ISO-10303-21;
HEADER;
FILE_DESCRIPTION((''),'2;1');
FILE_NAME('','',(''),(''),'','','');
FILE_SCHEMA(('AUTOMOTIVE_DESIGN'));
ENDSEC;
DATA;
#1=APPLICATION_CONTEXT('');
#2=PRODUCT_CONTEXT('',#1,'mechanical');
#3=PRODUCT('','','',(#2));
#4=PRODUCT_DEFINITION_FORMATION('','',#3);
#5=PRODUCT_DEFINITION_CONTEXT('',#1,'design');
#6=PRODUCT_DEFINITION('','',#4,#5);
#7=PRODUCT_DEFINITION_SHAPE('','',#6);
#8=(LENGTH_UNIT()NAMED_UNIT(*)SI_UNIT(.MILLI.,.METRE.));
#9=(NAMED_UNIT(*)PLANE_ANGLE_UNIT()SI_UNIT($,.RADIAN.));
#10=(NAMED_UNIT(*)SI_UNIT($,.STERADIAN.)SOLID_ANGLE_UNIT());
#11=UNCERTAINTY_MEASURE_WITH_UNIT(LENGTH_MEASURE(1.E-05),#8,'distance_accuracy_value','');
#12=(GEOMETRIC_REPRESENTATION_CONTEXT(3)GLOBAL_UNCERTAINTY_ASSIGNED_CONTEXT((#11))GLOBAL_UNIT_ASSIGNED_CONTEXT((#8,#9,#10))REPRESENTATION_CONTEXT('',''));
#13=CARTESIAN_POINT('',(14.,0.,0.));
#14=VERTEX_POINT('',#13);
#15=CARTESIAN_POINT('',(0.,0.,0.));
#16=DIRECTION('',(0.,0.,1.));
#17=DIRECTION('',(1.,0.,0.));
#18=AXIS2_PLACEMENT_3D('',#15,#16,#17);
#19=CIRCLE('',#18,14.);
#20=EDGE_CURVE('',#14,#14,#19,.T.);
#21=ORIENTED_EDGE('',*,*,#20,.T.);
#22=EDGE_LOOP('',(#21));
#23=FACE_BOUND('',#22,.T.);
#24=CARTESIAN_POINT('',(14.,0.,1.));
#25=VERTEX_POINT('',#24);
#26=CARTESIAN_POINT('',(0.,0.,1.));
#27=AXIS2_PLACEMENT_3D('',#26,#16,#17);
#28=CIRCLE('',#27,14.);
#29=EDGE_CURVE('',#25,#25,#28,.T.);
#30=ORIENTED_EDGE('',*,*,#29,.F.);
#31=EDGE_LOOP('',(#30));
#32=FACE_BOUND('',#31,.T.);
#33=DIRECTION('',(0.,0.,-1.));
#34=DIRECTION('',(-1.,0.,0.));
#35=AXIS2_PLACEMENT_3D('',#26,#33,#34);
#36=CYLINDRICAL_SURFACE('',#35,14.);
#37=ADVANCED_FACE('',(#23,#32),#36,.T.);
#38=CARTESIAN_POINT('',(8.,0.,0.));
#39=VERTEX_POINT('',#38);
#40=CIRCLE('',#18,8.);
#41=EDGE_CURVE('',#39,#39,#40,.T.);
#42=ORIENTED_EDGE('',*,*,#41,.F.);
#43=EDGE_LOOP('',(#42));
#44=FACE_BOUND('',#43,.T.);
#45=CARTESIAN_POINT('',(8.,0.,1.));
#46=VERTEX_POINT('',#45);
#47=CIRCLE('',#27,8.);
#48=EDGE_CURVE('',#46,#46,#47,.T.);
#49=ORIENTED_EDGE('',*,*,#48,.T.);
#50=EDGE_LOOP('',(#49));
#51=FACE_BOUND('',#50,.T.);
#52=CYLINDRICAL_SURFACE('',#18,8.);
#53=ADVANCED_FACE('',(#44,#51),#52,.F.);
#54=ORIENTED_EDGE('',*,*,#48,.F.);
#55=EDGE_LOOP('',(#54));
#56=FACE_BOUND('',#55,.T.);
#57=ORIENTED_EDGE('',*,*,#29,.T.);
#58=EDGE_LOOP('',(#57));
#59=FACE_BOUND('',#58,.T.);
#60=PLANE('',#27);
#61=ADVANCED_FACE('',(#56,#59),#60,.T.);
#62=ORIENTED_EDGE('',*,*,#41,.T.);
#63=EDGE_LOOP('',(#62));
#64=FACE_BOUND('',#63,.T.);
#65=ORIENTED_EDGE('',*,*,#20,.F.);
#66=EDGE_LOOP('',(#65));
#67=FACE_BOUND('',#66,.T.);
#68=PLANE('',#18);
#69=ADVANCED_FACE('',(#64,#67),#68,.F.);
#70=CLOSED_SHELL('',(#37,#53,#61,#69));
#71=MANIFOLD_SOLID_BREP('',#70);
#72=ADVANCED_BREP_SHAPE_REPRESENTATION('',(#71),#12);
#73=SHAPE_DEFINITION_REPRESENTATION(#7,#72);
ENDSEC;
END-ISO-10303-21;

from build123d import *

# Parameters (mm, degrees)
SKETCH1_R           = 14
BOSS_EXTRUDE1_DEPTH = 1
SKETCH2_R           = 8
CUT_EXTRUDE1_DEPTH  = 1


with BuildPart() as part:
    # Sketch1 → Boss-Extrude1 (new body)
    with BuildSketch(Plane.XY):
        Circle(SKETCH1_R)
    extrude(amount=BOSS_EXTRUDE1_DEPTH)

    # Sketch2 → Cut-Extrude1 (cut)
    with BuildSketch(Plane.XY.offset(1)):
        Circle(SKETCH2_R)
    extrude(amount=-CUT_EXTRUDE1_DEPTH, mode=Mode.SUBTRACT)


solid = part.part
